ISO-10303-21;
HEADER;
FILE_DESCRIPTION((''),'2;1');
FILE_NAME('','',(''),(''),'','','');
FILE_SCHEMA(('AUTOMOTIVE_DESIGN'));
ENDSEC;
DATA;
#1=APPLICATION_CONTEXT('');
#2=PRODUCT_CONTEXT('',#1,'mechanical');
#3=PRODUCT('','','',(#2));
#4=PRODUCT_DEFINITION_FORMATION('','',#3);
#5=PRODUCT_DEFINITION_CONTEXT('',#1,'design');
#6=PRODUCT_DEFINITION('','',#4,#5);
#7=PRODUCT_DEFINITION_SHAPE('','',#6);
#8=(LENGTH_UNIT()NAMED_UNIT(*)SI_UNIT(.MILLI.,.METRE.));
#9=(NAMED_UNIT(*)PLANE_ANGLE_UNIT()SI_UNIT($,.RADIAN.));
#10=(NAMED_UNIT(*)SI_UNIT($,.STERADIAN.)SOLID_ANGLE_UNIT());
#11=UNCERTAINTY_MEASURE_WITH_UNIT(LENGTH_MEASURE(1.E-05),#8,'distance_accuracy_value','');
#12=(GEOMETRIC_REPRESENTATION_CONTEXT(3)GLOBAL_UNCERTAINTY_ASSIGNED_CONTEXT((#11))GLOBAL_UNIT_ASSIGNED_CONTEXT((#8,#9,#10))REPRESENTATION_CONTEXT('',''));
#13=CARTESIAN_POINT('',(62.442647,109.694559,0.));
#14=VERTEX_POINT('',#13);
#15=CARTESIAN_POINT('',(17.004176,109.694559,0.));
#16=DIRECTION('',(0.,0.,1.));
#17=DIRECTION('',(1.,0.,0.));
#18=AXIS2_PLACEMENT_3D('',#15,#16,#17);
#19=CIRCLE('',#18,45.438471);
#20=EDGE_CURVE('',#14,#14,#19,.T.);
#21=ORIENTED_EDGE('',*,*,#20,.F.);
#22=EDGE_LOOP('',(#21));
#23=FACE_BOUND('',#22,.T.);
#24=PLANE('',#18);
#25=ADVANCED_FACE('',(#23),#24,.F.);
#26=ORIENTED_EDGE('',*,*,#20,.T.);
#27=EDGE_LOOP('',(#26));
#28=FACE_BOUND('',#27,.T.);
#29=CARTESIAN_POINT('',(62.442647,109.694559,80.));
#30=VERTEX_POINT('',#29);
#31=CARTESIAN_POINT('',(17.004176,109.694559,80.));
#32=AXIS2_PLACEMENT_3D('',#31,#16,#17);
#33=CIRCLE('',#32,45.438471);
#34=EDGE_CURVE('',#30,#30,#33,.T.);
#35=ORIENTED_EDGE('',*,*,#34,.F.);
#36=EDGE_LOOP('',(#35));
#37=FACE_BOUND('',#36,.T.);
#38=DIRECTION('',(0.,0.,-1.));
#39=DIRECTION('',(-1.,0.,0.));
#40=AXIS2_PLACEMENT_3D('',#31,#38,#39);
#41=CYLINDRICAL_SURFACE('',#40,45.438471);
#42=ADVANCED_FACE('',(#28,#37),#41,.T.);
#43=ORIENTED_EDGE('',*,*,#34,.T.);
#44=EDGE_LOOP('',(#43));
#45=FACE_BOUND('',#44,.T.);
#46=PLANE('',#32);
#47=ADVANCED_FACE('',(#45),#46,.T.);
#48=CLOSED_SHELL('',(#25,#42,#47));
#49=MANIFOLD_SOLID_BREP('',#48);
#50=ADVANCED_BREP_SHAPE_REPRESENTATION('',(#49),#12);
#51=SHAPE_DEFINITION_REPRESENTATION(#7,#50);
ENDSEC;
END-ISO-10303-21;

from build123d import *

# Parameters (mm, degrees)
SKIZZE1_R                       = 45.438470597
AUFSATZ_LINEAR_AUSTRAGEN1_DEPTH = 80


with BuildPart() as part:
    # Skizze1 → Aufsatz-Linear austragen1 (new body)
    with BuildSketch(Plane.XY):
        with Locations((17.004176026, 109.694558522)):
            Circle(SKIZZE1_R)
    extrude(amount=AUFSATZ_LINEAR_AUSTRAGEN1_DEPTH)


solid = part.part
